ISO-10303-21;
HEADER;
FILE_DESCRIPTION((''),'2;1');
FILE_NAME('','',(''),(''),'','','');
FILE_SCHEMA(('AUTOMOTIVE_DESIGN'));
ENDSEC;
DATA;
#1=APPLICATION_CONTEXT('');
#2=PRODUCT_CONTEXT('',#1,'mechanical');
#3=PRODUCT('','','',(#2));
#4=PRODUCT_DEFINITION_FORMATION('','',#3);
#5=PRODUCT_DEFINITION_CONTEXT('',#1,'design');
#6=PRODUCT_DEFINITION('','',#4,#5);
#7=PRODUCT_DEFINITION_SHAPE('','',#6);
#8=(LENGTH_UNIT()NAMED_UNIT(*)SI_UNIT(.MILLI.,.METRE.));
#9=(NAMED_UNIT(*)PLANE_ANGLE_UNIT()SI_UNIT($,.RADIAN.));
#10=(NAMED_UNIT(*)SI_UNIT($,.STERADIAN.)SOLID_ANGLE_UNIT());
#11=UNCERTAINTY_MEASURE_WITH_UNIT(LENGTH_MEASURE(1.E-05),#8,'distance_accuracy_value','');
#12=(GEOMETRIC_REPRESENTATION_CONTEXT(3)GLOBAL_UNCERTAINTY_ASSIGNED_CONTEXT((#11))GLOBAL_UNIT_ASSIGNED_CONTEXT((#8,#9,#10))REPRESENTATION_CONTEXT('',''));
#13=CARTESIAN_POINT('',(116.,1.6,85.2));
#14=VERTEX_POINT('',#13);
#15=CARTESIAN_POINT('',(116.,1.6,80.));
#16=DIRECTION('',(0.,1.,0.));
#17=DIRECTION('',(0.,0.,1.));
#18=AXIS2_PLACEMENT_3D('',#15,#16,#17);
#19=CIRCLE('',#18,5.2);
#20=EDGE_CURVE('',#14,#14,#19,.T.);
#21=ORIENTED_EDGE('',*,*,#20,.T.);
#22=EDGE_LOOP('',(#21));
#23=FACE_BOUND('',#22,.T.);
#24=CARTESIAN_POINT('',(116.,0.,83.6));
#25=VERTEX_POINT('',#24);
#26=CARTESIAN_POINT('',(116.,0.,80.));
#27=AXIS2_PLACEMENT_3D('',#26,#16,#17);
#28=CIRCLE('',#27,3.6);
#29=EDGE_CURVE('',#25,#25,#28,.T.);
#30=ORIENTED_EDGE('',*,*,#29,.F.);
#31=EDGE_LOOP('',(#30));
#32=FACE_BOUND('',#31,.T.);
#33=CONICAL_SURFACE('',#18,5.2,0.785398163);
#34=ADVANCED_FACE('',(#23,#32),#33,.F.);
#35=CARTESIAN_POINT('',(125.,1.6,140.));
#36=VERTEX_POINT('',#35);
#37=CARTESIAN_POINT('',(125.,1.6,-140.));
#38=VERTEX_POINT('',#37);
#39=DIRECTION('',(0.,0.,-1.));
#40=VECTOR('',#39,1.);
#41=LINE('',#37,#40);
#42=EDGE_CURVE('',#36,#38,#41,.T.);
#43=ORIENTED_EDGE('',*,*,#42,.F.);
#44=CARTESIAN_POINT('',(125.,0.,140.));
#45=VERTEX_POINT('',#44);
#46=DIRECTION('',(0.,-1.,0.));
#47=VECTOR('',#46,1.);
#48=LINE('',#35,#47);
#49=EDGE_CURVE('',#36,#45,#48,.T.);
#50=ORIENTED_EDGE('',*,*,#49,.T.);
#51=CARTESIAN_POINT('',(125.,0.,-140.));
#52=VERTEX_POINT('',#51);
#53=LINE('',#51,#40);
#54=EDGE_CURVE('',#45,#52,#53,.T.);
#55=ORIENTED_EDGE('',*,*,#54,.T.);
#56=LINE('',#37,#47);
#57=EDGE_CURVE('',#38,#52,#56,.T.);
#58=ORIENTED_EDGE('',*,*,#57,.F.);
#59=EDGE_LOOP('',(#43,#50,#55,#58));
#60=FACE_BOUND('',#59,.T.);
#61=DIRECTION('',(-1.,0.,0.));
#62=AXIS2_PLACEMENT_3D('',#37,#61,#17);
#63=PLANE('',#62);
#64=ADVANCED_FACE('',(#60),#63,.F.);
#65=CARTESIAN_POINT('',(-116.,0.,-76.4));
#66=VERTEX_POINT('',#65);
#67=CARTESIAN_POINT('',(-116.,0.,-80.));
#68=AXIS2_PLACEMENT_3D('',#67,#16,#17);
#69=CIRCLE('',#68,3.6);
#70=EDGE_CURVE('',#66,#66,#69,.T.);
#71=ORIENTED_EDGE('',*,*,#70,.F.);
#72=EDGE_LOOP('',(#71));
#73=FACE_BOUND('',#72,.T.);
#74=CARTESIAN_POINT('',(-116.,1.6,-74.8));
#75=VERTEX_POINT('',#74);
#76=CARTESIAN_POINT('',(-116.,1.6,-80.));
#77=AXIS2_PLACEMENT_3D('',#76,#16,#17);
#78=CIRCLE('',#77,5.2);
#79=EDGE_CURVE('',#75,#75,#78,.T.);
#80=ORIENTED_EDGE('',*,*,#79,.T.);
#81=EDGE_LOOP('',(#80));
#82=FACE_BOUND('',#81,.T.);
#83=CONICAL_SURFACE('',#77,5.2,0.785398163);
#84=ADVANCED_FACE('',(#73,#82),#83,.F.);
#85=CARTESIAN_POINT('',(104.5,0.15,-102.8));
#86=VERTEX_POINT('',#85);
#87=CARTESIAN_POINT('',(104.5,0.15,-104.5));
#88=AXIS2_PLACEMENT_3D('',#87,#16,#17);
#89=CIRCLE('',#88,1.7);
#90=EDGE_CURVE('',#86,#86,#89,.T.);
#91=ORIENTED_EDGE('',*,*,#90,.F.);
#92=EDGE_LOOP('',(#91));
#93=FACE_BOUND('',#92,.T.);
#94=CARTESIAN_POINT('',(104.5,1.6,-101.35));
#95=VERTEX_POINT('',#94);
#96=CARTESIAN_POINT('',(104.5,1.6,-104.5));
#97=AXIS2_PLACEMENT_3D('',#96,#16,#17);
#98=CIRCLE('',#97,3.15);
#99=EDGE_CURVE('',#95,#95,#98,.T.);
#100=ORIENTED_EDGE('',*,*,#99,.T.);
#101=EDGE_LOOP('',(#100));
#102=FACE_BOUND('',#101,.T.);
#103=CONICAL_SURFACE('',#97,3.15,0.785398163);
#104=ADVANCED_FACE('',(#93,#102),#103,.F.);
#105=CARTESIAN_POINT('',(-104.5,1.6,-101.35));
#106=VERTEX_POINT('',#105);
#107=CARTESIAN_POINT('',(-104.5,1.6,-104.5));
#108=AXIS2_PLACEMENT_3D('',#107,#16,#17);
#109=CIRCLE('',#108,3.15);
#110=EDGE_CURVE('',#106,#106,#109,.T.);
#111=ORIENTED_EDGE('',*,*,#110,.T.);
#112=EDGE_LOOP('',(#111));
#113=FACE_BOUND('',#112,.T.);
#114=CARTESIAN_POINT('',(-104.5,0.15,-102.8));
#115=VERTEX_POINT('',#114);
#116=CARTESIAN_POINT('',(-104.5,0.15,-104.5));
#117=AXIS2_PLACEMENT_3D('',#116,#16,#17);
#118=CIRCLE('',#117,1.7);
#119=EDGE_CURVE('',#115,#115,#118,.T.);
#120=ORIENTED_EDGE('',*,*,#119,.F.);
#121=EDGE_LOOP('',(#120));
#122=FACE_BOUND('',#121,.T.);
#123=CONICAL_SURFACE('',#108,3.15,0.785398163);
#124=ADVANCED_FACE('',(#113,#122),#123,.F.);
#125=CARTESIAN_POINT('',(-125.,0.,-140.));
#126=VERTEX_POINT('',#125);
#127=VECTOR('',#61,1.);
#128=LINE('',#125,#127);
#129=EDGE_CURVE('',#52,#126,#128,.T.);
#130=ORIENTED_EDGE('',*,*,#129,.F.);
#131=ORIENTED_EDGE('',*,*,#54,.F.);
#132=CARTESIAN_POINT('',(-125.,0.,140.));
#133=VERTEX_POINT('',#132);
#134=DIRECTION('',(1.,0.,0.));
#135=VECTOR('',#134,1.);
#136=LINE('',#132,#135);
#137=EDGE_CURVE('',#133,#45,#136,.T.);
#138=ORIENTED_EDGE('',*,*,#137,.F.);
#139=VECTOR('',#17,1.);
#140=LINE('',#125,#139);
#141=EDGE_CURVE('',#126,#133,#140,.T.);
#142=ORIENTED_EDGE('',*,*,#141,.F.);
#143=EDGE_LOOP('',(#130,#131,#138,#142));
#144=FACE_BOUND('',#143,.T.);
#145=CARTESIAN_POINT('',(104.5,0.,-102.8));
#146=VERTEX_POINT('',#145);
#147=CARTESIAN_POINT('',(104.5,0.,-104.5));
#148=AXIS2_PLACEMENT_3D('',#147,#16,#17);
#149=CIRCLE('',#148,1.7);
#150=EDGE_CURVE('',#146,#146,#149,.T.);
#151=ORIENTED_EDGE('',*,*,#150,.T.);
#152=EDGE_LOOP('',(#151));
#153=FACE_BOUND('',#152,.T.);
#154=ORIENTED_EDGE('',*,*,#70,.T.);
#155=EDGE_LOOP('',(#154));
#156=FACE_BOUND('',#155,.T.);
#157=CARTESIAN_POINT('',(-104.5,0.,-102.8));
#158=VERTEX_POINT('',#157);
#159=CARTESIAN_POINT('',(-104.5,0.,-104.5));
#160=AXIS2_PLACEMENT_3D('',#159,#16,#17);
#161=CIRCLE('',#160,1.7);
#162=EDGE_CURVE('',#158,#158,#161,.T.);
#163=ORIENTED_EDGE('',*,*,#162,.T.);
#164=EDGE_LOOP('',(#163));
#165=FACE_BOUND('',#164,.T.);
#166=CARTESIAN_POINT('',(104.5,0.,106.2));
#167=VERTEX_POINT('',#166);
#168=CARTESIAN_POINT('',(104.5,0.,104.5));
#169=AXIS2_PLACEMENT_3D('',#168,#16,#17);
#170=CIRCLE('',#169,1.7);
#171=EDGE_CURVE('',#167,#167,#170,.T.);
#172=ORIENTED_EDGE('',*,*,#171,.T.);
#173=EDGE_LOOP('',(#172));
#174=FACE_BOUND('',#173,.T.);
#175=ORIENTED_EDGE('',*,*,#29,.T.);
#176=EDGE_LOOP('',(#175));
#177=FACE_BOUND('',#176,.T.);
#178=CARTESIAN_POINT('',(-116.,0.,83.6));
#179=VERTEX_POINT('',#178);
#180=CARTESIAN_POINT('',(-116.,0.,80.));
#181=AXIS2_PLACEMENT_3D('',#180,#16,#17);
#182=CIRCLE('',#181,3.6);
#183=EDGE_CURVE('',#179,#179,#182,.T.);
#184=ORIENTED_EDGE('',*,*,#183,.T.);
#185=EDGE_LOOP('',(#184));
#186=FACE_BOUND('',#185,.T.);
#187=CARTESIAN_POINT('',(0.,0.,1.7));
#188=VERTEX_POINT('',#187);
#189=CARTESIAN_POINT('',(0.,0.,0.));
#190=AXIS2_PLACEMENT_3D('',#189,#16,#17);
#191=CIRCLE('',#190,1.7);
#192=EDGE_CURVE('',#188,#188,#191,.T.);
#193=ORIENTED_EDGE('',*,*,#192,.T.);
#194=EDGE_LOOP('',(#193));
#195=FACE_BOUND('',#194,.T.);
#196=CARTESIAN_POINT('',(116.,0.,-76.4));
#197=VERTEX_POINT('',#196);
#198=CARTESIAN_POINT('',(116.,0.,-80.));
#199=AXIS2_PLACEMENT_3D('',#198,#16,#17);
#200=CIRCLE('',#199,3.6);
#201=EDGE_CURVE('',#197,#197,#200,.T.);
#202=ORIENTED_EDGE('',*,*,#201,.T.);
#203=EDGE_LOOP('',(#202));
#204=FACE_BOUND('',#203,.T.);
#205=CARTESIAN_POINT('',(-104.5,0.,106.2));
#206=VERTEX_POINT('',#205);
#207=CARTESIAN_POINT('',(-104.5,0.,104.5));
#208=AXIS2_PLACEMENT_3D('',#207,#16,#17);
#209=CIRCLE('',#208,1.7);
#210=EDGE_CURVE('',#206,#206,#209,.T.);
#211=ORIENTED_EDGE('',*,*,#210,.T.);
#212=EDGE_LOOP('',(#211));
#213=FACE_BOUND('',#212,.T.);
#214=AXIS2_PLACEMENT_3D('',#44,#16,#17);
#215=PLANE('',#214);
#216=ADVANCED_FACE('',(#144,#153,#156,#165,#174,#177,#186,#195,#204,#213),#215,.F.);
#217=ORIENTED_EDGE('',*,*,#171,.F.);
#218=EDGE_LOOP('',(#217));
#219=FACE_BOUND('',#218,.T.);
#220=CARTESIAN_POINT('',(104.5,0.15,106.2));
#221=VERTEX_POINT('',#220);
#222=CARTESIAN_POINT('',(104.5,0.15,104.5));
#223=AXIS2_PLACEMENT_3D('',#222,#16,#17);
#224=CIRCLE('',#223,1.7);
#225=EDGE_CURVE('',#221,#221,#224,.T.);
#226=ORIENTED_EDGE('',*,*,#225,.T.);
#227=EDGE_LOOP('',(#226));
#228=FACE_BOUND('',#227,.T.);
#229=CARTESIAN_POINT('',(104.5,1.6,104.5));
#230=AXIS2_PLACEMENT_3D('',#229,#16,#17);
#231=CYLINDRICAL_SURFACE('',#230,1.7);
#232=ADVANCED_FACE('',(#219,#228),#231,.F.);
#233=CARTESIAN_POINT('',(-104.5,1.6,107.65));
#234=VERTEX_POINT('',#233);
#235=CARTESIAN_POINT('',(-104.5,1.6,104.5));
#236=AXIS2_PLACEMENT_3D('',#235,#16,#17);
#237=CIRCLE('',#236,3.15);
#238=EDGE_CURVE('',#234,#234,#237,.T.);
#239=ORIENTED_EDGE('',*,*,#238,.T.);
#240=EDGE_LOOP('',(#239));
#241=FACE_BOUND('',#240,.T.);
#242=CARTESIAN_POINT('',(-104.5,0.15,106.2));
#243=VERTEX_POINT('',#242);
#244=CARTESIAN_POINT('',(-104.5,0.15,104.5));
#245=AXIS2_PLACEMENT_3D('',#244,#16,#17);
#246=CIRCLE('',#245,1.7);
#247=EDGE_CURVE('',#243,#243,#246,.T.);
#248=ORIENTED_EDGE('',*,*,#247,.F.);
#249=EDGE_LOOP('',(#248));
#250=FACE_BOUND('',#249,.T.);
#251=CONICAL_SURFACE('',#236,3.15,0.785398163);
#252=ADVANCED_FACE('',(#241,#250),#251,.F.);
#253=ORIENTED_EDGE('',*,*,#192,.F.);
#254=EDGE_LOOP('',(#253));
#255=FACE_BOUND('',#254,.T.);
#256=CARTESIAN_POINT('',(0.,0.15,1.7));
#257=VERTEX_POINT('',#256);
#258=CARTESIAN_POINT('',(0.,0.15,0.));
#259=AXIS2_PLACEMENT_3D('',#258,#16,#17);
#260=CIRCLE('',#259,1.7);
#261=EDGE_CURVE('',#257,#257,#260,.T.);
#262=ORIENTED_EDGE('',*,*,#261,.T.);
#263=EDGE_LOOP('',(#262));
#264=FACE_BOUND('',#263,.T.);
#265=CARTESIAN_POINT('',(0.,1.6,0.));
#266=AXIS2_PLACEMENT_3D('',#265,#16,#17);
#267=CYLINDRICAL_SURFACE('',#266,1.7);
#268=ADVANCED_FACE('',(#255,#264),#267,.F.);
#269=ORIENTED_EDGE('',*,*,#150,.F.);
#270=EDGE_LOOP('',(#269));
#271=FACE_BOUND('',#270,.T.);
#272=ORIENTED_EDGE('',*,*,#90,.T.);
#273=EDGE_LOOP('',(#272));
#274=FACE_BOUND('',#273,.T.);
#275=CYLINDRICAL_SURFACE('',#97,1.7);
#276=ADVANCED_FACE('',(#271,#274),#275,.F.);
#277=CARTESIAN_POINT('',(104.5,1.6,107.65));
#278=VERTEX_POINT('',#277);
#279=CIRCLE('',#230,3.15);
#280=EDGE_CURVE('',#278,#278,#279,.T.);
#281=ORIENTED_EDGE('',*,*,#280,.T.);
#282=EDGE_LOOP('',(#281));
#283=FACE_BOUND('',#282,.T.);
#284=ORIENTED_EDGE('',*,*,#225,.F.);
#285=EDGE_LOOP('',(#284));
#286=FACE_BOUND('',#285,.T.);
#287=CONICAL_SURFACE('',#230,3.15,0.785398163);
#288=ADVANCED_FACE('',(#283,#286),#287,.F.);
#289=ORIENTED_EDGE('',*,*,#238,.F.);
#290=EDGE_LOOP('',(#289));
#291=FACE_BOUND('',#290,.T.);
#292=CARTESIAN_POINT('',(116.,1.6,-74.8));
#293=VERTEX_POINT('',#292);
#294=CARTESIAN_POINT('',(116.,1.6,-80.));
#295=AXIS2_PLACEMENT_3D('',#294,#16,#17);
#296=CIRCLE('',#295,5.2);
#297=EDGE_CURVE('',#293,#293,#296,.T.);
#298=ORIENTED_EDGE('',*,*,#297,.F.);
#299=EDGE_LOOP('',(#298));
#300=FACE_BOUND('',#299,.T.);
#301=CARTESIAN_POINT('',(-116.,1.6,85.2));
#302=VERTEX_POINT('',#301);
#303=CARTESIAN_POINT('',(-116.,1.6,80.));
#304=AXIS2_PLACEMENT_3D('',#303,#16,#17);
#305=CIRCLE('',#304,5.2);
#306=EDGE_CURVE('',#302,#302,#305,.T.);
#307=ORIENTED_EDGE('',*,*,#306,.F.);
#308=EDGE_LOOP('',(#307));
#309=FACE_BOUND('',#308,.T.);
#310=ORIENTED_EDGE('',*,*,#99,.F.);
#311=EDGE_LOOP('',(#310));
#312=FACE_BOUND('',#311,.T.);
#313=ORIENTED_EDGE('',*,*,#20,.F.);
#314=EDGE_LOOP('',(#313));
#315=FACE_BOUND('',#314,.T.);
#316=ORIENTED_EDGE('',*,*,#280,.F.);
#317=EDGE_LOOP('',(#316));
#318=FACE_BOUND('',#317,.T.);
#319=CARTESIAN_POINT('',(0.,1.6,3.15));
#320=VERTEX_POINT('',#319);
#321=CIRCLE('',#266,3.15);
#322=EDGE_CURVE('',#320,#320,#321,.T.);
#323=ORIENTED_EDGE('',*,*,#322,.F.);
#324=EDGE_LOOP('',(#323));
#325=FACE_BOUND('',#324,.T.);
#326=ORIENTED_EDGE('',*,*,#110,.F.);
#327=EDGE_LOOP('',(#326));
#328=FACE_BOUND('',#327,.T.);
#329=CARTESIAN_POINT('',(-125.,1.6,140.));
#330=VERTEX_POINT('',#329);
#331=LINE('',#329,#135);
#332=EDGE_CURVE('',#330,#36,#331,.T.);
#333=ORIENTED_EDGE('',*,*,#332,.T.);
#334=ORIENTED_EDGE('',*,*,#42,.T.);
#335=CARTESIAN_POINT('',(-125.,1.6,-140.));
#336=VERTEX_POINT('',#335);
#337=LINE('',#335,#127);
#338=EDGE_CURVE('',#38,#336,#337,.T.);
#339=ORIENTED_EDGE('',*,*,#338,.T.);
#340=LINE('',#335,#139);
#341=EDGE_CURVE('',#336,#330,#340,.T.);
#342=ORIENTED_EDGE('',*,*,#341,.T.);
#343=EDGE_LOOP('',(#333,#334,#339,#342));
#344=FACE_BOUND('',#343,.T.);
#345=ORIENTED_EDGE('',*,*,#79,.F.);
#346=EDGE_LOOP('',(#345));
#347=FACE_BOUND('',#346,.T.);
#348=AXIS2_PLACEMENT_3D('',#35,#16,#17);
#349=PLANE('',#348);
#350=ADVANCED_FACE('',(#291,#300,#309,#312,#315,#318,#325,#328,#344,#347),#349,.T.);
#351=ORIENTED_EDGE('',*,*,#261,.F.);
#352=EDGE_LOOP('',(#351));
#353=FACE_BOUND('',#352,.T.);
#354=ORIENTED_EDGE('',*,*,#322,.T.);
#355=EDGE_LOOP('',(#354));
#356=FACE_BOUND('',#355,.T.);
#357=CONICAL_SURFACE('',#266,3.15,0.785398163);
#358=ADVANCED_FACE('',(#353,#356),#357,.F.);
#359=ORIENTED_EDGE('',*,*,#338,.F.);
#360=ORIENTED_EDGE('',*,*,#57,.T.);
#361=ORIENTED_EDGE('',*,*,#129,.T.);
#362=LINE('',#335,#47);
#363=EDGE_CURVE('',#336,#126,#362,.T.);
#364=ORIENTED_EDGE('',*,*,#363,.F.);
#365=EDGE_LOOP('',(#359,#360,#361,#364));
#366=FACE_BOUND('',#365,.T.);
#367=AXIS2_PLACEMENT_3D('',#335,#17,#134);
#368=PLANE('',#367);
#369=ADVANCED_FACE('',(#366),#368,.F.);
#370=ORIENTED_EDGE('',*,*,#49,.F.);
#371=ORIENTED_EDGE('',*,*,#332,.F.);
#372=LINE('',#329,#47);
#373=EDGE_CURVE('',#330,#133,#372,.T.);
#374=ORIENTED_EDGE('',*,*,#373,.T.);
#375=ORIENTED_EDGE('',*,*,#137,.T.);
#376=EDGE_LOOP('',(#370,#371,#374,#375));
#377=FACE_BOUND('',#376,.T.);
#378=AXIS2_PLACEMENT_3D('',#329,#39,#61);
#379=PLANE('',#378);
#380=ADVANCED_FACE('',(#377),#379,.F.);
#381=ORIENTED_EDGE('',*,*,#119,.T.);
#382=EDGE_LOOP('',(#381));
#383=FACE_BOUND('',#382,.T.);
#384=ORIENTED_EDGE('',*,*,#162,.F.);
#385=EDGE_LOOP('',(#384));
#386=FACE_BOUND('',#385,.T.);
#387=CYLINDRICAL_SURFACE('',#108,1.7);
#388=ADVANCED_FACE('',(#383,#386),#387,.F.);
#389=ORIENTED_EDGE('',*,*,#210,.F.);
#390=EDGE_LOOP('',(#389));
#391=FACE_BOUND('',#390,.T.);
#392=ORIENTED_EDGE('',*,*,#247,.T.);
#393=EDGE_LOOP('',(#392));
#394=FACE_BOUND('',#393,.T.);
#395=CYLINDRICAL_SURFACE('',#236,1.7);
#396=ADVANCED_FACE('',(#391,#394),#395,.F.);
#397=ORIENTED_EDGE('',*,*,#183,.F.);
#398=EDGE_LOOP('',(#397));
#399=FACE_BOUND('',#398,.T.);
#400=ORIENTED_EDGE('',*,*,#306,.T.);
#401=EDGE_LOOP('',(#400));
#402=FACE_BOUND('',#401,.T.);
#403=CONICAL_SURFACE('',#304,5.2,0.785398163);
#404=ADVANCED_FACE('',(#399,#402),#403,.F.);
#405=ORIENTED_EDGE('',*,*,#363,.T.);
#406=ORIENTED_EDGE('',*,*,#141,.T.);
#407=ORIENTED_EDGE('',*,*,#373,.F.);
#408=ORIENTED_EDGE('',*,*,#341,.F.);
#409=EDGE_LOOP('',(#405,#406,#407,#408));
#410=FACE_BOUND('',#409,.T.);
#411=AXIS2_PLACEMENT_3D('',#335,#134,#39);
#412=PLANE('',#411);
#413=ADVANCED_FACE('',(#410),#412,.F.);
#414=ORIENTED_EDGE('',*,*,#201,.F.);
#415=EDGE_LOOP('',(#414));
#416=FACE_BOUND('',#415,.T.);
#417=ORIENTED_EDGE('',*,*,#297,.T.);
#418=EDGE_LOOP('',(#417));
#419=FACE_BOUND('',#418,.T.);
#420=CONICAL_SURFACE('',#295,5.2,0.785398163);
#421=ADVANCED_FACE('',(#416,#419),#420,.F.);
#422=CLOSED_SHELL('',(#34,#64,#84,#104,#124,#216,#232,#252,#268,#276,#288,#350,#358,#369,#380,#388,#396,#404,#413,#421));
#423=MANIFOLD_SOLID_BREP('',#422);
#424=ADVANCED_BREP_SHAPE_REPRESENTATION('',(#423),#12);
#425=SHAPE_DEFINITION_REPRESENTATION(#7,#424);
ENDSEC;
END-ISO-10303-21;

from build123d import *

# Parameters (mm, degrees)
SKETCH1_W                                      = 250
SKETCH1_H                                      = 280
BOSS_EXTRUDE1_DEPTH                            = 1.6
CSK_FOR_M5_FLAT_HEAD_MACHINE_SCREW1_AT_2_COUNT = 2
CSK_FOR_M5_FLAT_HEAD_MACHINE_SCREW1_AT_2_PITCH = 232
CSK_FOR_M5_FLAT_HEAD_MACHINE_SCREW1_AT_3_COUNT = 2
CSK_FOR_M5_FLAT_HEAD_MACHINE_SCREW1_AT_3_PITCH = 281.822639261
CSK_FOR_M5_FLAT_HEAD_MACHINE_SCREW1_AT_4_COUNT = 2
CSK_FOR_M5_FLAT_HEAD_MACHINE_SCREW1_AT_4_PITCH = 160
CSK_FOR_M3_FLAT_HEAD_MACHINE_SCREW1_AT_2_COUNT = 2
CSK_FOR_M3_FLAT_HEAD_MACHINE_SCREW1_AT_2_PITCH = 147.785317268
CSK_FOR_M3_FLAT_HEAD_MACHINE_SCREW1_AT_3_COUNT = 2
CSK_FOR_M3_FLAT_HEAD_MACHINE_SCREW1_AT_3_PITCH = 147.785317268
CSK_FOR_M3_FLAT_HEAD_MACHINE_SCREW1_AT_4_COUNT = 2
CSK_FOR_M3_FLAT_HEAD_MACHINE_SCREW1_AT_4_PITCH = 147.785317268
CSK_FOR_M3_FLAT_HEAD_MACHINE_SCREW1_AT_5_COUNT = 2
CSK_FOR_M3_FLAT_HEAD_MACHINE_SCREW1_AT_5_PITCH = 147.785317268


with BuildPart() as part:
    # Sketch1 → Boss-Extrude1 (new body)
    with BuildSketch(Plane(origin=(0, 0, 0), x_dir=(1, 0, 0), z_dir=(0, 1, 0))):
        Rectangle(SKETCH1_W, SKETCH1_H)
    extrude(amount=BOSS_EXTRUDE1_DEPTH)

    # Sketch2 → CSK for M5 Flat Head Machine Screw1 (revolve, cut)
    with BuildSketch(Plane(origin=(-116, 1.6, -80), x_dir=(0, 0, 1), z_dir=(1, 0, 0))):
        Polygon((0, 0), (0, 1.6), (2.75, 1.6), (2.75, 2.45), (5.2, 0), align=None)
    csk_for_m5_flat_head_machine_screw1 = revolve(axis=Axis((-116, 7.95, -80), (0, -1, 0)), mode=Mode.SUBTRACT)

    # CSK for M5 Flat Head Machine Screw1 at 2: CSK for M5 Flat Head Machine Screw1 ×2
    with Locations(*[(i * CSK_FOR_M5_FLAT_HEAD_MACHINE_SCREW1_AT_2_PITCH, 0, 0) for i in range(1, CSK_FOR_M5_FLAT_HEAD_MACHINE_SCREW1_AT_2_COUNT)]):
        add(csk_for_m5_flat_head_machine_screw1, mode=Mode.SUBTRACT)

    # CSK for M5 Flat Head Machine Screw1 at 3: CSK for M5 Flat Head Machine Screw1 ×2
    with Locations(*[Vector(0.8232127859153064, 0, 0.5677329558036596) * (i * CSK_FOR_M5_FLAT_HEAD_MACHINE_SCREW1_AT_3_PITCH) for i in range(1, CSK_FOR_M5_FLAT_HEAD_MACHINE_SCREW1_AT_3_COUNT)]):
        add(csk_for_m5_flat_head_machine_screw1, mode=Mode.SUBTRACT)

    # CSK for M5 Flat Head Machine Screw1 at 4: CSK for M5 Flat Head Machine Screw1 ×2
    with Locations(*[(0, 0, i * CSK_FOR_M5_FLAT_HEAD_MACHINE_SCREW1_AT_4_PITCH) for i in range(1, CSK_FOR_M5_FLAT_HEAD_MACHINE_SCREW1_AT_4_COUNT)]):
        add(csk_for_m5_flat_head_machine_screw1, mode=Mode.SUBTRACT)

    # Sketch4 → CSK for M3 Flat Head Machine Screw1 (revolve, cut)
    with BuildSketch(Plane(origin=(0, 1.6, 0), x_dir=(0, 0, 1), z_dir=(1, 0, 0))):
        Polygon((0, 0), (0, 1.6), (1.7, 1.6), (1.7, 1.45), (3.15, 0), align=None)
    csk_for_m3_flat_head_machine_screw1 = revolve(axis=Axis((0, 7.95, 0), (0, -1, 0)), mode=Mode.SUBTRACT)

    # CSK for M3 Flat Head Machine Screw1 at 2: CSK for M3 Flat Head Machine Screw1 ×2
    with Locations(*[Vector(-0.7071067811865471, 0, 0.7071067811865479) * (i * CSK_FOR_M3_FLAT_HEAD_MACHINE_SCREW1_AT_2_PITCH) for i in range(1, CSK_FOR_M3_FLAT_HEAD_MACHINE_SCREW1_AT_2_COUNT)]):
        add(csk_for_m3_flat_head_machine_screw1, mode=Mode.SUBTRACT)

    # CSK for M3 Flat Head Machine Screw1 at 3: CSK for M3 Flat Head Machine Screw1 ×2
    with Locations(*[Vector(0.7071067811865477, 0, 0.7071067811865474) * (i * CSK_FOR_M3_FLAT_HEAD_MACHINE_SCREW1_AT_3_PITCH) for i in range(1, CSK_FOR_M3_FLAT_HEAD_MACHINE_SCREW1_AT_3_COUNT)]):
        add(csk_for_m3_flat_head_machine_screw1, mode=Mode.SUBTRACT)

    # CSK for M3 Flat Head Machine Screw1 at 4: CSK for M3 Flat Head Machine Screw1 ×2
    with Locations(*[Vector(0.7071067811865477, 0, -0.7071067811865475) * (i * CSK_FOR_M3_FLAT_HEAD_MACHINE_SCREW1_AT_4_PITCH) for i in range(1, CSK_FOR_M3_FLAT_HEAD_MACHINE_SCREW1_AT_4_COUNT)]):
        add(csk_for_m3_flat_head_machine_screw1, mode=Mode.SUBTRACT)

    # CSK for M3 Flat Head Machine Screw1 at 5: CSK for M3 Flat Head Machine Screw1 ×2
    with Locations(*[Vector(-0.7071067811865478, 0, -0.7071067811865474) * (i * CSK_FOR_M3_FLAT_HEAD_MACHINE_SCREW1_AT_5_PITCH) for i in range(1, CSK_FOR_M3_FLAT_HEAD_MACHINE_SCREW1_AT_5_COUNT)]):
        add(csk_for_m3_flat_head_machine_screw1, mode=Mode.SUBTRACT)


solid = part.part
